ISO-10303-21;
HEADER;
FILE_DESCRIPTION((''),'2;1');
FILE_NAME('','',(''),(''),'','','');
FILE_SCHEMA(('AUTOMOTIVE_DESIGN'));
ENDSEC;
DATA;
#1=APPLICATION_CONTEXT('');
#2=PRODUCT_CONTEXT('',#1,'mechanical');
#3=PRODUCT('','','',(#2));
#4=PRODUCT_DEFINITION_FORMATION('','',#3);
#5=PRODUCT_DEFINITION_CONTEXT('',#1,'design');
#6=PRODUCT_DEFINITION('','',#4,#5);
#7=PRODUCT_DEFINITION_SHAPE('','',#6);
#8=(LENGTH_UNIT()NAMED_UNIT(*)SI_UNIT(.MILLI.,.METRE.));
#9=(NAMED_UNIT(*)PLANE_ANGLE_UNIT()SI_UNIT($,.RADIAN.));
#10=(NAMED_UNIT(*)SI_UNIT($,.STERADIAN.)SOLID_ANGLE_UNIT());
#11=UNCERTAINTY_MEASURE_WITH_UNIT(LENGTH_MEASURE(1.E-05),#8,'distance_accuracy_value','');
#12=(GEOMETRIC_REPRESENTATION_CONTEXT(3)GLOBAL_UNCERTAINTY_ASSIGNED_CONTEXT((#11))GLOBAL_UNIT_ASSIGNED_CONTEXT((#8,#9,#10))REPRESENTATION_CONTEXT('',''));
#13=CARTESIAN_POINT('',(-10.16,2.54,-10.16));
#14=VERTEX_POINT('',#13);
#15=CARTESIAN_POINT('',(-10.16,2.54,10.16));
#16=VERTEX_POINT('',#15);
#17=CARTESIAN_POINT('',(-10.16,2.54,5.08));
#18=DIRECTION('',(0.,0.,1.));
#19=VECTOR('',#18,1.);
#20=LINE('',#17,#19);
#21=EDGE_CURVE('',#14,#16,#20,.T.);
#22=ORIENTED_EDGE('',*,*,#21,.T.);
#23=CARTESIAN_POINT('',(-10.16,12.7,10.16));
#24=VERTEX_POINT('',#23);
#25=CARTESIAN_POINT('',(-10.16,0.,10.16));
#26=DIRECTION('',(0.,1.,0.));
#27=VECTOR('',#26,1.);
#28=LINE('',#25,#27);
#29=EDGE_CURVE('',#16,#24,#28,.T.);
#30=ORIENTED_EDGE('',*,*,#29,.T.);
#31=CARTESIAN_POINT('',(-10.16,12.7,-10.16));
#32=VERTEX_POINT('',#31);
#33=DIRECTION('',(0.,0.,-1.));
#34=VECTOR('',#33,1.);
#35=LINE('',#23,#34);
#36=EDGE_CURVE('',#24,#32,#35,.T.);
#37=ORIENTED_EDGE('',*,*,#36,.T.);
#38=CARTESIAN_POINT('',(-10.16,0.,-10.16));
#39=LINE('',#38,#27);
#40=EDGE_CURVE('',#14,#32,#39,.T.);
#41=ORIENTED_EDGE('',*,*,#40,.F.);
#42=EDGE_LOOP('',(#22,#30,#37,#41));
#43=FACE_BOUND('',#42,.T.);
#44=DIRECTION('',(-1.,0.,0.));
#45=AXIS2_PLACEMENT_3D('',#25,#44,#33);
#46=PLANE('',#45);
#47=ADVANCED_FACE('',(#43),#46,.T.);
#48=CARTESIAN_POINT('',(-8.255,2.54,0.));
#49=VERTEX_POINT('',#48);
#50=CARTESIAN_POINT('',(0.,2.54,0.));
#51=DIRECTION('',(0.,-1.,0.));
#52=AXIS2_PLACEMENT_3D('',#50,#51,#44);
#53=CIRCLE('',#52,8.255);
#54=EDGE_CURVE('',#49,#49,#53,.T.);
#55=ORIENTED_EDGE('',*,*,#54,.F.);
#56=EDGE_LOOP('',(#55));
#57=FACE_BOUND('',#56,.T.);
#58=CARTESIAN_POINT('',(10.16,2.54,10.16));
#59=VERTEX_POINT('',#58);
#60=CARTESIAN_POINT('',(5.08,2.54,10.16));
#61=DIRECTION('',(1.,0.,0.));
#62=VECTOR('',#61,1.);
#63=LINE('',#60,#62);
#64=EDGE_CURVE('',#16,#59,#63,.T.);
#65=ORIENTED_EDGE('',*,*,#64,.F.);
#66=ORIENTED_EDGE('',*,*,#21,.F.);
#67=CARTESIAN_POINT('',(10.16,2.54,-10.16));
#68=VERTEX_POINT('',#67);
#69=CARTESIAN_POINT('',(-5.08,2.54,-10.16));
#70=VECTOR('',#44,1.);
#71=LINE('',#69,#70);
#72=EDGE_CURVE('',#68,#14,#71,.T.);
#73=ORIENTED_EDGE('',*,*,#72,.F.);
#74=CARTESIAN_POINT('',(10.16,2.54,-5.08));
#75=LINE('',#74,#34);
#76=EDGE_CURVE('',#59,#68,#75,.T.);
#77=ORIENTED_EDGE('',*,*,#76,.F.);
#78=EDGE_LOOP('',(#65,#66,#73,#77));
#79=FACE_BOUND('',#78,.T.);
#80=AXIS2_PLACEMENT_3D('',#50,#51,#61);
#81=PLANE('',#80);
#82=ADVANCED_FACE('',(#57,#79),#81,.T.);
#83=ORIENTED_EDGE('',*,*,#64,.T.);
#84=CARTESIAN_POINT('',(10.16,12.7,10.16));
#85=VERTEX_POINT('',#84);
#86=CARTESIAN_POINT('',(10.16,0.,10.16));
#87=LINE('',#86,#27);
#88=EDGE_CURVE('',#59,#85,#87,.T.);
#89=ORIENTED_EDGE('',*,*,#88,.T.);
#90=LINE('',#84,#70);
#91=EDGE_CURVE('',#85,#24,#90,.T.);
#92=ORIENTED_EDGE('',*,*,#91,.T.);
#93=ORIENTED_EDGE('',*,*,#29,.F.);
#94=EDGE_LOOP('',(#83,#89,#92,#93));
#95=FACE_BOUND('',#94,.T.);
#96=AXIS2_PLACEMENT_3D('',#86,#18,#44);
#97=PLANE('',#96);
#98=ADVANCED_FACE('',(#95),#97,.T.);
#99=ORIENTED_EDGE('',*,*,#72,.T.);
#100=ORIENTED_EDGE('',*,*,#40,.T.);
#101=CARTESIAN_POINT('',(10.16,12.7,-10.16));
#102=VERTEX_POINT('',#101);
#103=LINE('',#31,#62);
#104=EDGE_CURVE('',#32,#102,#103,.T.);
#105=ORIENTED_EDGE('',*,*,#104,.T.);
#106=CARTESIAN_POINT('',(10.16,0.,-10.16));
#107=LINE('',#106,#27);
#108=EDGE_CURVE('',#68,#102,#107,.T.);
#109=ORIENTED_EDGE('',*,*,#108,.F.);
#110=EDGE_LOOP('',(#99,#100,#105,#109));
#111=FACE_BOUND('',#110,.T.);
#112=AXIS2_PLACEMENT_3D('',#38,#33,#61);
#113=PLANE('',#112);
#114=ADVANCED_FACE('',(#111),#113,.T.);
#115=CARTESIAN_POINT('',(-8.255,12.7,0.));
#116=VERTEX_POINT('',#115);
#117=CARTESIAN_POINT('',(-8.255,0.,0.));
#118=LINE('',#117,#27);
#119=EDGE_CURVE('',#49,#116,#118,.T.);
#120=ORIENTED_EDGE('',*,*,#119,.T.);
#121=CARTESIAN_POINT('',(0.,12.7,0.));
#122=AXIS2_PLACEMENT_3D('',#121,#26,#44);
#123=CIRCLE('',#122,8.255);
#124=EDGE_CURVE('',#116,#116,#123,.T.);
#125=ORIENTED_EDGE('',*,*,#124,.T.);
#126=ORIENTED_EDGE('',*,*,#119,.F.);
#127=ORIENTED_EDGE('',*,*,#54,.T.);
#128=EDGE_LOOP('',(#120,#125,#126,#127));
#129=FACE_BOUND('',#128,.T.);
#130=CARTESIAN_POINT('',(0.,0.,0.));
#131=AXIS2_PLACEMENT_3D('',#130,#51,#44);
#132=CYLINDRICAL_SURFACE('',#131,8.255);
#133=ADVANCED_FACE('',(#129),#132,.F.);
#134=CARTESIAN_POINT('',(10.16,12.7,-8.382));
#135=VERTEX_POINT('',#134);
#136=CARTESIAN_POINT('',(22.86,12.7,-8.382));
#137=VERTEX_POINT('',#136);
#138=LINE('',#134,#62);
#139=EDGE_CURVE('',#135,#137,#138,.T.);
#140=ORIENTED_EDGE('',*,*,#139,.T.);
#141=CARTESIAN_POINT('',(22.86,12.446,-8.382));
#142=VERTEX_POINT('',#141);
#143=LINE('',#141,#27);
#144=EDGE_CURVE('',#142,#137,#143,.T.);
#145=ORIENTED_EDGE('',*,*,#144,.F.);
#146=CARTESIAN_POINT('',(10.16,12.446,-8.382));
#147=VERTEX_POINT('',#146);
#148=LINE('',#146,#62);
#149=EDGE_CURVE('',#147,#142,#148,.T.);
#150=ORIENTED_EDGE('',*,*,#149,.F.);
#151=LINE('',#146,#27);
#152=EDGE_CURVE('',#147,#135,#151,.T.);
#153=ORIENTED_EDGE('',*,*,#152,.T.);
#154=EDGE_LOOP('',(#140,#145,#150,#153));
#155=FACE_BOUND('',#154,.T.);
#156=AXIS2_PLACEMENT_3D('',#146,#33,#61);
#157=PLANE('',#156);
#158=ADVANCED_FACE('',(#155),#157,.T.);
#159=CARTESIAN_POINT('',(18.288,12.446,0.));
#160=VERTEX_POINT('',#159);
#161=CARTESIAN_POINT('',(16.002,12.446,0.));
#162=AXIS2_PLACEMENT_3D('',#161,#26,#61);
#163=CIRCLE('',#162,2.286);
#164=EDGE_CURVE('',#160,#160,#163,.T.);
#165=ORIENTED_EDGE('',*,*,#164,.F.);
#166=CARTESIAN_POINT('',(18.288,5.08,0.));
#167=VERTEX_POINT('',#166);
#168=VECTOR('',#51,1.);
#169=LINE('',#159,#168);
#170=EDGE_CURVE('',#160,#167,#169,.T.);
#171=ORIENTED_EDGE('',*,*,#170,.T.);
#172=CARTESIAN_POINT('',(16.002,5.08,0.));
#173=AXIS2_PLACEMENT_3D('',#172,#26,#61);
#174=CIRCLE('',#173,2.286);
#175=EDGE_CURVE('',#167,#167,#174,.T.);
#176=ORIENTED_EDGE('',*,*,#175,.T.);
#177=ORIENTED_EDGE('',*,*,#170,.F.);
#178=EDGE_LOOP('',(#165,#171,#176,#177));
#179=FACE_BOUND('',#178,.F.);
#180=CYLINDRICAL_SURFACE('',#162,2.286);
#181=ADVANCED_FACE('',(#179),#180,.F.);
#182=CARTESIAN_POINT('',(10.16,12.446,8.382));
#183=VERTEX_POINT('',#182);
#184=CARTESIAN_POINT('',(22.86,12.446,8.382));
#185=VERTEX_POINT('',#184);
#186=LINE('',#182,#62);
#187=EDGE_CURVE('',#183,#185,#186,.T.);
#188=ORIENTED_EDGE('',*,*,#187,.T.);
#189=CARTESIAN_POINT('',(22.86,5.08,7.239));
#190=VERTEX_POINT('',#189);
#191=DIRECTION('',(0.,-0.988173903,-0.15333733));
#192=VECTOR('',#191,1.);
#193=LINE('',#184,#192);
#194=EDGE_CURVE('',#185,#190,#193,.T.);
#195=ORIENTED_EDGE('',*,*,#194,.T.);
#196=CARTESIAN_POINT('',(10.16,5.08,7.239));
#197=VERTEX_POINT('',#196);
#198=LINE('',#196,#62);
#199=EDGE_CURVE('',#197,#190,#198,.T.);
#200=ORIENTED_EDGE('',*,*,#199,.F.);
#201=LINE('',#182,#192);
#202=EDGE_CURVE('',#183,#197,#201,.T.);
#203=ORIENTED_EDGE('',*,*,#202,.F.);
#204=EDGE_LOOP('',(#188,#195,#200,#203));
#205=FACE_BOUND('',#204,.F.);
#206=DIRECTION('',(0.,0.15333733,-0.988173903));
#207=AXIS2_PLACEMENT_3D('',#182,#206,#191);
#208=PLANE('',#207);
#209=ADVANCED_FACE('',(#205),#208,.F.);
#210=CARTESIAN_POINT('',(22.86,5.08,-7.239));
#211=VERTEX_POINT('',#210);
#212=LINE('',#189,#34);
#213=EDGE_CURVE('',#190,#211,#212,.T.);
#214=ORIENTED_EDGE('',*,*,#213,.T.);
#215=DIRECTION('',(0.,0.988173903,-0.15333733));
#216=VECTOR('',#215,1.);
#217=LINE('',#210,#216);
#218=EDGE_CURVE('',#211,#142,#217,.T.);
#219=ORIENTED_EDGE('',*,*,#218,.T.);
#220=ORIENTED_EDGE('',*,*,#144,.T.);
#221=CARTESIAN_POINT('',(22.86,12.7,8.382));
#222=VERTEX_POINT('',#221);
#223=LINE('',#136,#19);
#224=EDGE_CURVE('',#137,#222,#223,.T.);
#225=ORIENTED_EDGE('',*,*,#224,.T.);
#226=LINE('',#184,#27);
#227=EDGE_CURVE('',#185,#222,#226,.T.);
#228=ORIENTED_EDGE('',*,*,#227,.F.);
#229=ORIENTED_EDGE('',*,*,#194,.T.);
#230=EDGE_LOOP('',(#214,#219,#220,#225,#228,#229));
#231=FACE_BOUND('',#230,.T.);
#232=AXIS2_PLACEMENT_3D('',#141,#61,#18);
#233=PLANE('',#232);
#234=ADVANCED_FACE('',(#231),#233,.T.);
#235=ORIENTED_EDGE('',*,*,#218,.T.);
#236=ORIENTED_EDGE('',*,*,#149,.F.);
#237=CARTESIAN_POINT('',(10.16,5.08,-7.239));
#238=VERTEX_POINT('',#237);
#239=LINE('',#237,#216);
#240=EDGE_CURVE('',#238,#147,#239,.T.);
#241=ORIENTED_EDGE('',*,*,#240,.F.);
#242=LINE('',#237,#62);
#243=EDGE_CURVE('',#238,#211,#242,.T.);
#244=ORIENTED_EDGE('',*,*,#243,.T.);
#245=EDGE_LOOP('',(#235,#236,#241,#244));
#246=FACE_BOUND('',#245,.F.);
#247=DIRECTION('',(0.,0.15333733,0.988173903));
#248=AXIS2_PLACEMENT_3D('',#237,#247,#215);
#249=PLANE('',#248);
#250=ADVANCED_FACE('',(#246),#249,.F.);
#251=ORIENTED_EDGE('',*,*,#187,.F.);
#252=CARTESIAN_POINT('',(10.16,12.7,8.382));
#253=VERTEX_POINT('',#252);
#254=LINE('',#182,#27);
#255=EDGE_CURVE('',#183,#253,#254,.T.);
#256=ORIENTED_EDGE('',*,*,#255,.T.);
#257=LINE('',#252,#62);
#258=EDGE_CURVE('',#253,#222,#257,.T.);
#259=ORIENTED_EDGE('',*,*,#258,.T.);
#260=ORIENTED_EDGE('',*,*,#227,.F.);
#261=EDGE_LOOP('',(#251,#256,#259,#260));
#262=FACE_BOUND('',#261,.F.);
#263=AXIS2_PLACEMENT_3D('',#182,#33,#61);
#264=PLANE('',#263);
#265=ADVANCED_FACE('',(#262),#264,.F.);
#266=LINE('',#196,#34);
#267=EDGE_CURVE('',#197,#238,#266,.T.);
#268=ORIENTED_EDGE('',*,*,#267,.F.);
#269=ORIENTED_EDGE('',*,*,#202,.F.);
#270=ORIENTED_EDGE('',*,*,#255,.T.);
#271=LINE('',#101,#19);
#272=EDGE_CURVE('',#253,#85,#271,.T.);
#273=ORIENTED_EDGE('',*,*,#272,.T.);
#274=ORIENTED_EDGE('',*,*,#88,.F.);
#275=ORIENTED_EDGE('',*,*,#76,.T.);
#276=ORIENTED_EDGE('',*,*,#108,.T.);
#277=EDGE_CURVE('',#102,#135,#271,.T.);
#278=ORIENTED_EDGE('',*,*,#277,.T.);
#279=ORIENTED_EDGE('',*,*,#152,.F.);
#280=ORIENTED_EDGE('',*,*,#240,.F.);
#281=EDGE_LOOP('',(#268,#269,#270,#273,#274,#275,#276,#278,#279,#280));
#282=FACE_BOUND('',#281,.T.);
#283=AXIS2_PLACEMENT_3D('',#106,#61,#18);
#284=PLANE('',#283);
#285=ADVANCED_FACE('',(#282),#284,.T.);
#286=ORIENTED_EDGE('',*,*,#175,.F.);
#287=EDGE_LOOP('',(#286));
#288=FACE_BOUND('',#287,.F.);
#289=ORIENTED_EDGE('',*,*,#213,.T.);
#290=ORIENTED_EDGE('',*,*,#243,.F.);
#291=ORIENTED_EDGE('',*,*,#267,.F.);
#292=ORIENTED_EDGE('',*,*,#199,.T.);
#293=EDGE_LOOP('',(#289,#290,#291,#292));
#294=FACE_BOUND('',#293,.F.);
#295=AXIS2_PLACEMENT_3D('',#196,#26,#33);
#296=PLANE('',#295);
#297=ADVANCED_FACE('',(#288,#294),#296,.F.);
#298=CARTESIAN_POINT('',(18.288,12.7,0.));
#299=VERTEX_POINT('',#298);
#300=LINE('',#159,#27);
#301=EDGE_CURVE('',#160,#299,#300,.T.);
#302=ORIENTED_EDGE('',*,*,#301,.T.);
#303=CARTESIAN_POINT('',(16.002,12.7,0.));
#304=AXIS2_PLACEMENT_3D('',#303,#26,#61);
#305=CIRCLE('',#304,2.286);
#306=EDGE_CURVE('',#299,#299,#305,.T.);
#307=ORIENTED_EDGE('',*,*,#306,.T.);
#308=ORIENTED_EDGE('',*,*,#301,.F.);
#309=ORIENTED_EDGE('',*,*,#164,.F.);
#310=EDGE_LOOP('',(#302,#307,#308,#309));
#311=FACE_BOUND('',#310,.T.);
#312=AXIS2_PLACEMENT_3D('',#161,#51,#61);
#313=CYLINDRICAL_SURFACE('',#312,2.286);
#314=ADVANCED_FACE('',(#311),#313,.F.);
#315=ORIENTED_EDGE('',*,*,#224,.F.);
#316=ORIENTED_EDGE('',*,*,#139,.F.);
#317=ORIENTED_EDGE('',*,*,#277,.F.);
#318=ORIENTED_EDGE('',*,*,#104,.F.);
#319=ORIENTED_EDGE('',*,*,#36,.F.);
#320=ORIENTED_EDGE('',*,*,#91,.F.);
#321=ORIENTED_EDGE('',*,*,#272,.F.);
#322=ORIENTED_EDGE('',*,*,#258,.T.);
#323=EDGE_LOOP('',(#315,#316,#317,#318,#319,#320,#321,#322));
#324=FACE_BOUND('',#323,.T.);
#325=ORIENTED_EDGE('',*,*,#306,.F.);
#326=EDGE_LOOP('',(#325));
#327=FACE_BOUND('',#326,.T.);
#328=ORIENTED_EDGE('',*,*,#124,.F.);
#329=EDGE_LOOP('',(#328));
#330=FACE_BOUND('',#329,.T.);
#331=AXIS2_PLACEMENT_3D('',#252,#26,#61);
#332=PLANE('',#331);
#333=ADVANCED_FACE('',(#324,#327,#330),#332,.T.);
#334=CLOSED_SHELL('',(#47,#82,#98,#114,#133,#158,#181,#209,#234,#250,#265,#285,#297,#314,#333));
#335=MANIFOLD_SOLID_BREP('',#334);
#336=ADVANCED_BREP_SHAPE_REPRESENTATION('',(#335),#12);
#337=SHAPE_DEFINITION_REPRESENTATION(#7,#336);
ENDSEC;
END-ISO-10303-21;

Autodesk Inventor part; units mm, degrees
ref_plane "YZ Plane" through (0, 0, 0) normal (1, 0, 0) x (0, 1, 0)
ref_plane "XZ Plane" through (0, 0, 0) normal (0, 1, 0) x (-1, 0, 0)
ref_plane "XY Plane" through (0, 0, 0) normal (0, 0, 1) x (1, 0, 0)
sketch "Sketch1" plane through (0, 0, 0) normal (0, 1, 0) x (-1, 0, 0)
  line L0 (-10.16, 10.16) -> (10.16, 10.16)
  line L1 (10.16, 10.16) -> (10.16, -10.16)
  line L2 (10.16, -10.16) -> (-10.16, -10.16)
  line L3 (-10.16, -10.16) -> (-10.16, 10.16)
  circle A0 centre (0, 0) radius 8.255
  dimension "d0" = 20.32
  dimension "d1" = 20.32
  dimension "d2" = 10.16
  dimension "d3" = 10.16
  dimension "d4" = 16.51
extrude "Extrusion1" add sketch "Sketch1" along normal blind 12.7
sketch "Sketch2" plane through (10.16, 0, 10.16) normal (1, 0, 0) x (0, 0, -1)
  line L0 (1.778, 12.446) -> (2.921, 5.08)
  line L1 (2.921, 5.08) -> (17.399, 5.08)
  line L2 (17.399, 5.08) -> (18.542, 12.446)
  line L3 (18.542, 12.446) -> (1.778, 12.446)
  line L4 (20.32, 0) -> (0, 0) projected
  line L5 (20.32, 0) -> (20.32, 12.7) projected
  point P0 (10.16, 0)
  dimension "d7" = 16.764
  dimension "d8" = 14.478
  dimension "d9" = 7.366
  dimension "d10" = 5.08
  dimension "d11" = 2.921
extrude "Extrusion2" add sketch "Sketch2" along normal blind 12.7
sketch "Sketch3" plane through (10.16, 12.446, 8.382) normal (0, 1, 0) x (1, 0, 0)
  circle A0 centre (5.842, 8.382) radius 2.286
  line L0 (12.7, 16.764) -> (12.7, 0) projected
  point P0 (-10.16, 8.382)
  dimension "d14" = 4.572
  dimension "d15" = 6.858
extrude "Extrusion3" cut sketch "Sketch3" against normal blind 17.78
sketch "Sketch4" plane through (10.16, 12.446, 8.382) normal (0, 1, 0) x (1, 0, 0)
  circle A0 centre (5.842, 8.382) radius 2.286 projected
  line L0 (0, 0) -> (0, 16.764) projected
  line L1 (0, 0) -> (12.7, 0) projected
  line L2 (12.7, 16.764) -> (12.7, 0) projected
  line L3 (0, 16.764) -> (12.7, 16.764) projected
  point P0 (-10.16, 8.382)
extrude "Extrusion4" add sketch "Sketch4" along normal up to surface (0.254 mm away)
sketch "Sketch5" plane through (0, 0, 0) normal (0, -1, 0) x (1, 0, 0)
  line L0 (14.2823, 20.4865) -> (-14.5737, 20.4865)
  line L1 (-14.5737, 20.4865) -> (-14.5737, -26.9822)
  line L2 (-14.5737, -26.9822) -> (14.2823, -26.9822)
  line L3 (14.2823, -26.9822) -> (14.2823, 20.4865)
  point P0 (0, 0)
extrude "Extrusion5" cut sketch "Sketch5" against normal blind 2.54
properties part number "HopperFinal3"
